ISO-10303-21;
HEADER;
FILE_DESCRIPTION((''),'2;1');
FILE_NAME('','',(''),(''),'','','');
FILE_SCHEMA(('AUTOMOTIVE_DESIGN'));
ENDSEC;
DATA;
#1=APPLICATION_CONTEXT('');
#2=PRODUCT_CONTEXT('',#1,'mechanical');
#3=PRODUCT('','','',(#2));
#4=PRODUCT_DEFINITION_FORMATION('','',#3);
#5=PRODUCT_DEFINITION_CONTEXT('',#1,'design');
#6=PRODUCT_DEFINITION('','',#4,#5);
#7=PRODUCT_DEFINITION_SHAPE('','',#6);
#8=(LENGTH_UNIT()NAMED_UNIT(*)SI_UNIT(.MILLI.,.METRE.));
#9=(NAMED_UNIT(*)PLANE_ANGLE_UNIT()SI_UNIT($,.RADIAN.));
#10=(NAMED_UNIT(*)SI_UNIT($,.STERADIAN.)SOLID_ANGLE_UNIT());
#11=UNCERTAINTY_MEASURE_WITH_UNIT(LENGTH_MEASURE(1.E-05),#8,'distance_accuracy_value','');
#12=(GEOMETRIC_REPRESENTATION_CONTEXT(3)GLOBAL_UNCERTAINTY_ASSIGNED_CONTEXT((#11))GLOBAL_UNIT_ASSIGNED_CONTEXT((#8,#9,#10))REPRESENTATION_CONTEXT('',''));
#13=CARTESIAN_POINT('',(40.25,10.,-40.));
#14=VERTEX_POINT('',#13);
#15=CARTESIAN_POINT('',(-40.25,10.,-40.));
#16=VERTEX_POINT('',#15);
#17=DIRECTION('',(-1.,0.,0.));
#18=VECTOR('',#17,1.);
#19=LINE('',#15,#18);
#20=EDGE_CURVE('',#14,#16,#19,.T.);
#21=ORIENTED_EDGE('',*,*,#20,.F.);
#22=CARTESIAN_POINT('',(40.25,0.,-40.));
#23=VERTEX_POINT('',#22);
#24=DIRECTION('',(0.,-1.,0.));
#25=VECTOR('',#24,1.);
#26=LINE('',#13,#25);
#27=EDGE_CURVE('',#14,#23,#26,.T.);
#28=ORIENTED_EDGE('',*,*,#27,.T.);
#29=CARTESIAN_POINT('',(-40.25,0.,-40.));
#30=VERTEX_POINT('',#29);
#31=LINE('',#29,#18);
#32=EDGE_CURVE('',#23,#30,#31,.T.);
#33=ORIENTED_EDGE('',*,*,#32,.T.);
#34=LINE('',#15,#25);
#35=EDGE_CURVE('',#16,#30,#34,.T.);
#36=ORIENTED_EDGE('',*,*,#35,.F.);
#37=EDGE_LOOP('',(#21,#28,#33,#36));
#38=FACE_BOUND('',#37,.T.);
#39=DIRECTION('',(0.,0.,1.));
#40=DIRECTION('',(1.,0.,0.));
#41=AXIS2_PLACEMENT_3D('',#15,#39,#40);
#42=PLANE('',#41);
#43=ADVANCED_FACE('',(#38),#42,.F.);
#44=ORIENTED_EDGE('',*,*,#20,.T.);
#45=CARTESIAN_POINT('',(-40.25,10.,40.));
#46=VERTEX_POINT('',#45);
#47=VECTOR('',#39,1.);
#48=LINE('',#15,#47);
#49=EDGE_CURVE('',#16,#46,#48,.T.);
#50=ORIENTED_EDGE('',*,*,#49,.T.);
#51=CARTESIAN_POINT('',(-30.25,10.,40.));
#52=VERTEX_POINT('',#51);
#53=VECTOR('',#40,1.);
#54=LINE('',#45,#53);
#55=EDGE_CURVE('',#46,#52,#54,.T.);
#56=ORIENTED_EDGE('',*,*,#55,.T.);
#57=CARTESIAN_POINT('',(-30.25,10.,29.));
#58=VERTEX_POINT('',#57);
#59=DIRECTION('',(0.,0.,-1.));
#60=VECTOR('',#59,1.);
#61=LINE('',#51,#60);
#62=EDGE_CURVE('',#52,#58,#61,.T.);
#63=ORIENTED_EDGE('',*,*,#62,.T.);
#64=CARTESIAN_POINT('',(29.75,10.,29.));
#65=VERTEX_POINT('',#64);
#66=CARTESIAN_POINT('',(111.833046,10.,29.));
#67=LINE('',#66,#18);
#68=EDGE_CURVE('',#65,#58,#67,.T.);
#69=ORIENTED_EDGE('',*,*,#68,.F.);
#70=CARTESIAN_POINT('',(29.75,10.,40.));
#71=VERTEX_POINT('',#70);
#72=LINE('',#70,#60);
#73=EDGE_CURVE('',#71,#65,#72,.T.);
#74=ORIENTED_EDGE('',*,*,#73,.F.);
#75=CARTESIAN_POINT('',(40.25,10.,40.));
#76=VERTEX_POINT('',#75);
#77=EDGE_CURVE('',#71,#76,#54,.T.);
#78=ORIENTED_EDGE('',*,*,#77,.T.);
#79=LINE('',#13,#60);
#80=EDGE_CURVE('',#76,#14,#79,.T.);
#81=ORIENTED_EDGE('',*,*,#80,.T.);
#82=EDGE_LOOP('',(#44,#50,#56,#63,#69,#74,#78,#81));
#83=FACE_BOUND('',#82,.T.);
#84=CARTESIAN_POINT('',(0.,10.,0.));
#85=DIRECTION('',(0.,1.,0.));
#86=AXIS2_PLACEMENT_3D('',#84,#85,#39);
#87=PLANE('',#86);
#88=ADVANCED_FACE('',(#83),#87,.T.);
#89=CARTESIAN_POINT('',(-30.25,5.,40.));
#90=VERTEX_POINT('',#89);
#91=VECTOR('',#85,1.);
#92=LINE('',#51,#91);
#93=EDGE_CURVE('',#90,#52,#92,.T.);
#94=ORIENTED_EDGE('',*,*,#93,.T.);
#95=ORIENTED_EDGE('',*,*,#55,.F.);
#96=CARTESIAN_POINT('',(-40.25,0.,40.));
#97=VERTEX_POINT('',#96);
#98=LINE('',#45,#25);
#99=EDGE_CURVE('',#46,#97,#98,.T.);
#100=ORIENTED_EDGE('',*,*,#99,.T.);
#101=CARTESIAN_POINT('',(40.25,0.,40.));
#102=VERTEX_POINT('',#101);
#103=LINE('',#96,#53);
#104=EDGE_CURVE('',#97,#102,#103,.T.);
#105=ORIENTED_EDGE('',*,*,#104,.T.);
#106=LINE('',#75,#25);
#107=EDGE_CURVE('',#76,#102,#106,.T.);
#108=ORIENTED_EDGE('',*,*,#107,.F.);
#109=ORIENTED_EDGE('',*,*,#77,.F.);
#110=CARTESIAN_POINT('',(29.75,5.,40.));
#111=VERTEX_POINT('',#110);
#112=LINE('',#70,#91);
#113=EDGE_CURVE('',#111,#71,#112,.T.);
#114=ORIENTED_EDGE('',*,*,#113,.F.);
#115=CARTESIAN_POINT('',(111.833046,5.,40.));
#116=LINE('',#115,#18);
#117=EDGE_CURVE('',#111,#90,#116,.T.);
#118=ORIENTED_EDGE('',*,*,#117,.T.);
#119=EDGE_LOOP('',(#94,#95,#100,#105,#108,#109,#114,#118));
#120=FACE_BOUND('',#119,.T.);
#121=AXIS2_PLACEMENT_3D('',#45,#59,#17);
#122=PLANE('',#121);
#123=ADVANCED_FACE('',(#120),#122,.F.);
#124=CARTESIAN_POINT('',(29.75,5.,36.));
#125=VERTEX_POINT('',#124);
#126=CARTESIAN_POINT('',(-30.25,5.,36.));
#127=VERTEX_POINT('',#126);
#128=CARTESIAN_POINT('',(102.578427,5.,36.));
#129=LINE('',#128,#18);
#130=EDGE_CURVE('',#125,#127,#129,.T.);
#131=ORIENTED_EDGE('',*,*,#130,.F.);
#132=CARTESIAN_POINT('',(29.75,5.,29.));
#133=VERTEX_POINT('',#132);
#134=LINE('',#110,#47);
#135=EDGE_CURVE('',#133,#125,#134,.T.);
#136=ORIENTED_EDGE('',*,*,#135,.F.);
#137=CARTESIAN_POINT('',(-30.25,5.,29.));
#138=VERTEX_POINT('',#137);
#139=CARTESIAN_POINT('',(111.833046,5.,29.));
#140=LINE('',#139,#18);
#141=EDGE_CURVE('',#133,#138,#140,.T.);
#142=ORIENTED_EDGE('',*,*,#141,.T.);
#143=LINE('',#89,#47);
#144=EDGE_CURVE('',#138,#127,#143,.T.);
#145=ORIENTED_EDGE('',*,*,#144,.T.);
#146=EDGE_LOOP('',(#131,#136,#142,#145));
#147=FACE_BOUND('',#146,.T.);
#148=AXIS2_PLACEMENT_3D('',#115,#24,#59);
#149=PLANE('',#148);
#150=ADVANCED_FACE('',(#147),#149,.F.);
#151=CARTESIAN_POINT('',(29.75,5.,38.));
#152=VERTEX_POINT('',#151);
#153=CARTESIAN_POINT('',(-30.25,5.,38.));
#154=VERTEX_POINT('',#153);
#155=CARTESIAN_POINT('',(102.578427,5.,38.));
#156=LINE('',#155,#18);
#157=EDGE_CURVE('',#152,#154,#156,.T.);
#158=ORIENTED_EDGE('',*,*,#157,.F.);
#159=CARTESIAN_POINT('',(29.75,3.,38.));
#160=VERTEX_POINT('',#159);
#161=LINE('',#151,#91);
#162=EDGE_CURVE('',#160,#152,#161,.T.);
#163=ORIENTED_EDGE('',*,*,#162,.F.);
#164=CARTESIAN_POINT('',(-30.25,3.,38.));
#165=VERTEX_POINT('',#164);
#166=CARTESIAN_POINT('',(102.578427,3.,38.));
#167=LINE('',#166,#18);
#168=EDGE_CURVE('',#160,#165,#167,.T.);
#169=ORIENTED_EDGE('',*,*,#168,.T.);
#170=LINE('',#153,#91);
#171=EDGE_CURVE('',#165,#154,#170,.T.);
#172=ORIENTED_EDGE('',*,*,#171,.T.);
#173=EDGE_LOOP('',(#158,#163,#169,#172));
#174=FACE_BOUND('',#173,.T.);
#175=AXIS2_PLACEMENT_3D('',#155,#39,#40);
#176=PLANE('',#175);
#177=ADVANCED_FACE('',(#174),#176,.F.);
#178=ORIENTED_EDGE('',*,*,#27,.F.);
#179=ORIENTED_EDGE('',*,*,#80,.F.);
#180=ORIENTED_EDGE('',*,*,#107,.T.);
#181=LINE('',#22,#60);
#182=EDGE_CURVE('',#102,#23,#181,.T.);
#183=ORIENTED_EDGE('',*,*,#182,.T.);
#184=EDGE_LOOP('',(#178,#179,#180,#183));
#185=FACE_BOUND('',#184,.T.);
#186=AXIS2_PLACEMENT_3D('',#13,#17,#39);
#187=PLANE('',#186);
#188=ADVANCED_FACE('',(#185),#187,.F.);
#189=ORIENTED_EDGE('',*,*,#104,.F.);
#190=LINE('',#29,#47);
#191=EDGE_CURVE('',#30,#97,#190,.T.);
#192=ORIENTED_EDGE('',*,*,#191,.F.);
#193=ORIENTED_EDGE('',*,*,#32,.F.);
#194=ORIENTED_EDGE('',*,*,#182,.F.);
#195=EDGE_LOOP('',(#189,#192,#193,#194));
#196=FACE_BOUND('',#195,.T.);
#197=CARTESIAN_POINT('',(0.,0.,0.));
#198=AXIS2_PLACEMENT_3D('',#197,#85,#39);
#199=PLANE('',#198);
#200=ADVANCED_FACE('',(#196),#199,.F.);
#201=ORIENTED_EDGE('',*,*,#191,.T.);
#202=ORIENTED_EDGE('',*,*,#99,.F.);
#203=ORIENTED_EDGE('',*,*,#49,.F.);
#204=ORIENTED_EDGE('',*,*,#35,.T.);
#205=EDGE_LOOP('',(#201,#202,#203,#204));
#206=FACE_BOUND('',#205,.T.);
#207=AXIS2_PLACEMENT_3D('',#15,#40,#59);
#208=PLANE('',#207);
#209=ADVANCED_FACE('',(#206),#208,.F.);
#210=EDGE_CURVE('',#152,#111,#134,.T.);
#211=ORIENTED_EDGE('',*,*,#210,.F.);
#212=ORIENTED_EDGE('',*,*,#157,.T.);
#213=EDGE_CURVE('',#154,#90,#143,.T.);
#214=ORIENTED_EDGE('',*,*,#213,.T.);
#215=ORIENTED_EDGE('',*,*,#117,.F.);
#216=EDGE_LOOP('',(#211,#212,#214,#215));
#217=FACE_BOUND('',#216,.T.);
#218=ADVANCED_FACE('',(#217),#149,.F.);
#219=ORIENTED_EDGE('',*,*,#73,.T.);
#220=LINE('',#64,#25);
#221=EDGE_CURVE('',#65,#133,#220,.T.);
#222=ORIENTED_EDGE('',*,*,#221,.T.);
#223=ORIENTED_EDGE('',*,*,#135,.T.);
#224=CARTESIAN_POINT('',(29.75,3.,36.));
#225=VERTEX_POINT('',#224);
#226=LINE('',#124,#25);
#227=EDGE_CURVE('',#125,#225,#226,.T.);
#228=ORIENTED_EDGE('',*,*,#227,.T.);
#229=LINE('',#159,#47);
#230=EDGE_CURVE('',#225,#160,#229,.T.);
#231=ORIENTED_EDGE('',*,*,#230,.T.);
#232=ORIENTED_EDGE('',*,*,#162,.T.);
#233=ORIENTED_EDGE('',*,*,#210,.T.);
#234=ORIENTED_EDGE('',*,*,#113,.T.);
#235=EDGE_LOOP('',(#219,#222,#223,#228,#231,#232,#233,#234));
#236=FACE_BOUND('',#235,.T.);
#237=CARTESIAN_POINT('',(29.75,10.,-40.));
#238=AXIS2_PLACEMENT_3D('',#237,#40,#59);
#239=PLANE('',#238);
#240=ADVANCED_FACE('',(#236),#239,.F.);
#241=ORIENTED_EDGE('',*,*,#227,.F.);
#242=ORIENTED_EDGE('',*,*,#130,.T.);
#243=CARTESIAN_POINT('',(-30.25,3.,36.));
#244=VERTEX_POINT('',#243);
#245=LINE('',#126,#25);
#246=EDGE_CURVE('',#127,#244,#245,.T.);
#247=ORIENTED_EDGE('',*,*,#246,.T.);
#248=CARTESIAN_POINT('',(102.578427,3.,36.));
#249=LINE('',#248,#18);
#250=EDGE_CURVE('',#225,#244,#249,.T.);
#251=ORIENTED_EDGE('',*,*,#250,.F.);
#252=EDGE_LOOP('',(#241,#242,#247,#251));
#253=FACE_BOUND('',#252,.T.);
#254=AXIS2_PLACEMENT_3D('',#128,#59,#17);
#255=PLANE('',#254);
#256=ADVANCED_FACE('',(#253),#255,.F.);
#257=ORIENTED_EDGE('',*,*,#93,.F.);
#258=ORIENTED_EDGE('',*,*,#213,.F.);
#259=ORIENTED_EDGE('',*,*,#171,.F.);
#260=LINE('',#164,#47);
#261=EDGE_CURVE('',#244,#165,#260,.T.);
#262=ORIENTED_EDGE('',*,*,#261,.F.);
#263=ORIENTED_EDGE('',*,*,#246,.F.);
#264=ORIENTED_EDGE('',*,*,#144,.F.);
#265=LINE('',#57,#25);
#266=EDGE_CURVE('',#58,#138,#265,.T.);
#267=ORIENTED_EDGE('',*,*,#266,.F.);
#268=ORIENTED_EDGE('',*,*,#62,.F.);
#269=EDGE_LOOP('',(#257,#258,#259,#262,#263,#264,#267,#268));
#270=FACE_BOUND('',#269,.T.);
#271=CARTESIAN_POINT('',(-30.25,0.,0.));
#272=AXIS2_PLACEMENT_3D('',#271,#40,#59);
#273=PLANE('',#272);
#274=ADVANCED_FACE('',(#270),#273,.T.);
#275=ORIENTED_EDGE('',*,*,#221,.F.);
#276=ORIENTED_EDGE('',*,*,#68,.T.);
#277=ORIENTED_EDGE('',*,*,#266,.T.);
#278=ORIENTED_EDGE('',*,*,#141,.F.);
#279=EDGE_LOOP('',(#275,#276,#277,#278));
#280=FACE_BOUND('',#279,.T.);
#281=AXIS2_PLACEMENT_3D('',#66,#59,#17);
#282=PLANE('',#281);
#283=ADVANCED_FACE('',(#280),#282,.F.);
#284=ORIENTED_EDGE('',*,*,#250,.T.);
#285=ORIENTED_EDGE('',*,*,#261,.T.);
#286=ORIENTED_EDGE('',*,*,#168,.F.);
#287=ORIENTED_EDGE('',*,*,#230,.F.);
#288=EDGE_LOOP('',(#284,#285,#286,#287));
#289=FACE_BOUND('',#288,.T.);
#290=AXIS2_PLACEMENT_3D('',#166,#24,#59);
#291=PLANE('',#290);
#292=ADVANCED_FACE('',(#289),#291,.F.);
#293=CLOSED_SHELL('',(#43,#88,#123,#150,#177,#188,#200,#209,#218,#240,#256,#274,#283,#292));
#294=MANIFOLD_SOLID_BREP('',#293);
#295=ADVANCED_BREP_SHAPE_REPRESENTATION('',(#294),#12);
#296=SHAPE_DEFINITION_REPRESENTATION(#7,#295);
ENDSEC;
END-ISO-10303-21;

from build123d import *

# Parameters (mm, degrees)
SKETCH1_W           = 80.5
SKETCH1_H           = 80
BOSS_EXTRUDE1_DEPTH = 10
CUT_EXTRUDE1_START  = -10
SKETCH2_W           = 11
SKETCH2_H           = 5
CUT_EXTRUDE1_DEPTH  = 60
CUT_EXTRUDE2_START  = -10
SKETCH3_W           = 2
SKETCH3_H           = 2
CUT_EXTRUDE2_DEPTH  = 60


with BuildPart() as part:
    # Sketch1 → Boss-Extrude1 (new body)
    with BuildSketch(Plane(origin=(0, 0, 0), x_dir=(1, 0, 0), z_dir=(0, 1, 0))):
        Rectangle(SKETCH1_W, SKETCH1_H)
    extrude(amount=BOSS_EXTRUDE1_DEPTH)

    # Sketch2 → Cut-Extrude1 (cut)
    with BuildSketch(Plane.ZY.offset(40.25).offset(CUT_EXTRUDE1_START)):
        with Locations((34.5, 7.5)):
            Rectangle(SKETCH2_W, SKETCH2_H)
    extrude(amount=-CUT_EXTRUDE1_DEPTH, mode=Mode.SUBTRACT)

    # Sketch3 → Cut-Extrude2 (cut)
    with BuildSketch(Plane.ZY.offset(40.25).offset(CUT_EXTRUDE2_START)):
        with Locations((37, 4)):
            Rectangle(SKETCH3_W, SKETCH3_H)
    extrude(amount=-CUT_EXTRUDE2_DEPTH, mode=Mode.SUBTRACT)


solid = part.part
